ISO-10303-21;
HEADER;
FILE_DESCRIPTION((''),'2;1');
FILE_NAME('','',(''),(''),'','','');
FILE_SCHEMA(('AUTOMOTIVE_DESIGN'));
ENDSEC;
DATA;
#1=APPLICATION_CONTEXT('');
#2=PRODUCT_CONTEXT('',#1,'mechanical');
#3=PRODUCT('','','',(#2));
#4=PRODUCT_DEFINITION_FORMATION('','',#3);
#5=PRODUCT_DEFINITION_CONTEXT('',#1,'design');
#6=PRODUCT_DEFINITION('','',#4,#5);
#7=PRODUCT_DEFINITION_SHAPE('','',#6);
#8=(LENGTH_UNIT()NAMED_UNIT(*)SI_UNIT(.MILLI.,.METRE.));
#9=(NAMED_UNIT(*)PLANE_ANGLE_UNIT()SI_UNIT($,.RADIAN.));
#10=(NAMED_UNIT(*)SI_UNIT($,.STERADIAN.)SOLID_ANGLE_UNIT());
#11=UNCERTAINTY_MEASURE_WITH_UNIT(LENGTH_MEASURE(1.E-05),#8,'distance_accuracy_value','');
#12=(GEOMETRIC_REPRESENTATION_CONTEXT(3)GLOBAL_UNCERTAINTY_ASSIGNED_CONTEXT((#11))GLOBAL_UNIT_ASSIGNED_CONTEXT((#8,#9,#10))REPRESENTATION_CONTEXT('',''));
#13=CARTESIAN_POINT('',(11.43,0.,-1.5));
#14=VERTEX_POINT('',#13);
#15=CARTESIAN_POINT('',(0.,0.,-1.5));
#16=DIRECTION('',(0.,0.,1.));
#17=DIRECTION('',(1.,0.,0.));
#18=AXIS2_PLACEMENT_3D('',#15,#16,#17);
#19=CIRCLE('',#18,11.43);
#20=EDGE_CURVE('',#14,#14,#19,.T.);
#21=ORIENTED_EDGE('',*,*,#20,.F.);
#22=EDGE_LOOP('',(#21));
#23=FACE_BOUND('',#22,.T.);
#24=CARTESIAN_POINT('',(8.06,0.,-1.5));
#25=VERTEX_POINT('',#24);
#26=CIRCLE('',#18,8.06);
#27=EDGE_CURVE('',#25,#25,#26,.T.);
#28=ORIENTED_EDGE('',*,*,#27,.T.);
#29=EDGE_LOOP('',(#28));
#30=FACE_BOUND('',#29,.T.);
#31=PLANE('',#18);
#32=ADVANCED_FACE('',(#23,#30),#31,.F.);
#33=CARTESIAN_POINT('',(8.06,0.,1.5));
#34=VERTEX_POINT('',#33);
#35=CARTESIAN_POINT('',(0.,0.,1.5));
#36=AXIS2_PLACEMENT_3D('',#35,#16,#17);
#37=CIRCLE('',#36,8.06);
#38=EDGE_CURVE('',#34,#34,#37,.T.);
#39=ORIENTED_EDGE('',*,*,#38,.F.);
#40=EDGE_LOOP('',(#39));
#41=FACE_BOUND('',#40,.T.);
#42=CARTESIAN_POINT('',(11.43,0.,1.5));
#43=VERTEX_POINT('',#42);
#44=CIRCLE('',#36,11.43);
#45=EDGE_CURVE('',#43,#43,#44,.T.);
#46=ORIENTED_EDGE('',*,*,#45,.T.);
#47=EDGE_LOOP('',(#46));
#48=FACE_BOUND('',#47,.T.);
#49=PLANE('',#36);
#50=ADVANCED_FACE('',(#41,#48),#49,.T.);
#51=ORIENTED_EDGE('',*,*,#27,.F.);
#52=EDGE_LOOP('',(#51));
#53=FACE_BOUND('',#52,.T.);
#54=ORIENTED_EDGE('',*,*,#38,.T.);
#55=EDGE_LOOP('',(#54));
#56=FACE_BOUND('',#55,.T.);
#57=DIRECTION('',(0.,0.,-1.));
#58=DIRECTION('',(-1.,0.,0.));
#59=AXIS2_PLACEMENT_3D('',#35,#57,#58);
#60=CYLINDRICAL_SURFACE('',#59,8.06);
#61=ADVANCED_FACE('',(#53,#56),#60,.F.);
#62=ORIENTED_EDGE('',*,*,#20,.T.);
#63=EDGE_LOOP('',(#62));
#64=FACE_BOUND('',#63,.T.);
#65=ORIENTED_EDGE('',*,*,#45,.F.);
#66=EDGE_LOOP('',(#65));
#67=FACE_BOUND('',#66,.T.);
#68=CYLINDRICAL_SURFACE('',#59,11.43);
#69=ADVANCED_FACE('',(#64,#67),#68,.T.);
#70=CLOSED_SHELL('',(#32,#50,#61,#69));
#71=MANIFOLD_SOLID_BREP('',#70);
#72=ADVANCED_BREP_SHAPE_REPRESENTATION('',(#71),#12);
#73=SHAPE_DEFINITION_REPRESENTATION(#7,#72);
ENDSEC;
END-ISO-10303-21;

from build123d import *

# Parameters (mm, degrees)
CROQUIS1_R              = 11.43
CROQUIS1_R_2            = 8.06
SALIENTE_EXTRUIR1_DEPTH = 1.5


with BuildPart() as part:
    # Croquis1 → Saliente-Extruir1 (new, symmetric)
    with BuildSketch(Plane.XY):
        Circle(CROQUIS1_R)
        Circle(CROQUIS1_R_2, mode=Mode.SUBTRACT)
    extrude(amount=SALIENTE_EXTRUIR1_DEPTH, both=True)


solid = part.part
